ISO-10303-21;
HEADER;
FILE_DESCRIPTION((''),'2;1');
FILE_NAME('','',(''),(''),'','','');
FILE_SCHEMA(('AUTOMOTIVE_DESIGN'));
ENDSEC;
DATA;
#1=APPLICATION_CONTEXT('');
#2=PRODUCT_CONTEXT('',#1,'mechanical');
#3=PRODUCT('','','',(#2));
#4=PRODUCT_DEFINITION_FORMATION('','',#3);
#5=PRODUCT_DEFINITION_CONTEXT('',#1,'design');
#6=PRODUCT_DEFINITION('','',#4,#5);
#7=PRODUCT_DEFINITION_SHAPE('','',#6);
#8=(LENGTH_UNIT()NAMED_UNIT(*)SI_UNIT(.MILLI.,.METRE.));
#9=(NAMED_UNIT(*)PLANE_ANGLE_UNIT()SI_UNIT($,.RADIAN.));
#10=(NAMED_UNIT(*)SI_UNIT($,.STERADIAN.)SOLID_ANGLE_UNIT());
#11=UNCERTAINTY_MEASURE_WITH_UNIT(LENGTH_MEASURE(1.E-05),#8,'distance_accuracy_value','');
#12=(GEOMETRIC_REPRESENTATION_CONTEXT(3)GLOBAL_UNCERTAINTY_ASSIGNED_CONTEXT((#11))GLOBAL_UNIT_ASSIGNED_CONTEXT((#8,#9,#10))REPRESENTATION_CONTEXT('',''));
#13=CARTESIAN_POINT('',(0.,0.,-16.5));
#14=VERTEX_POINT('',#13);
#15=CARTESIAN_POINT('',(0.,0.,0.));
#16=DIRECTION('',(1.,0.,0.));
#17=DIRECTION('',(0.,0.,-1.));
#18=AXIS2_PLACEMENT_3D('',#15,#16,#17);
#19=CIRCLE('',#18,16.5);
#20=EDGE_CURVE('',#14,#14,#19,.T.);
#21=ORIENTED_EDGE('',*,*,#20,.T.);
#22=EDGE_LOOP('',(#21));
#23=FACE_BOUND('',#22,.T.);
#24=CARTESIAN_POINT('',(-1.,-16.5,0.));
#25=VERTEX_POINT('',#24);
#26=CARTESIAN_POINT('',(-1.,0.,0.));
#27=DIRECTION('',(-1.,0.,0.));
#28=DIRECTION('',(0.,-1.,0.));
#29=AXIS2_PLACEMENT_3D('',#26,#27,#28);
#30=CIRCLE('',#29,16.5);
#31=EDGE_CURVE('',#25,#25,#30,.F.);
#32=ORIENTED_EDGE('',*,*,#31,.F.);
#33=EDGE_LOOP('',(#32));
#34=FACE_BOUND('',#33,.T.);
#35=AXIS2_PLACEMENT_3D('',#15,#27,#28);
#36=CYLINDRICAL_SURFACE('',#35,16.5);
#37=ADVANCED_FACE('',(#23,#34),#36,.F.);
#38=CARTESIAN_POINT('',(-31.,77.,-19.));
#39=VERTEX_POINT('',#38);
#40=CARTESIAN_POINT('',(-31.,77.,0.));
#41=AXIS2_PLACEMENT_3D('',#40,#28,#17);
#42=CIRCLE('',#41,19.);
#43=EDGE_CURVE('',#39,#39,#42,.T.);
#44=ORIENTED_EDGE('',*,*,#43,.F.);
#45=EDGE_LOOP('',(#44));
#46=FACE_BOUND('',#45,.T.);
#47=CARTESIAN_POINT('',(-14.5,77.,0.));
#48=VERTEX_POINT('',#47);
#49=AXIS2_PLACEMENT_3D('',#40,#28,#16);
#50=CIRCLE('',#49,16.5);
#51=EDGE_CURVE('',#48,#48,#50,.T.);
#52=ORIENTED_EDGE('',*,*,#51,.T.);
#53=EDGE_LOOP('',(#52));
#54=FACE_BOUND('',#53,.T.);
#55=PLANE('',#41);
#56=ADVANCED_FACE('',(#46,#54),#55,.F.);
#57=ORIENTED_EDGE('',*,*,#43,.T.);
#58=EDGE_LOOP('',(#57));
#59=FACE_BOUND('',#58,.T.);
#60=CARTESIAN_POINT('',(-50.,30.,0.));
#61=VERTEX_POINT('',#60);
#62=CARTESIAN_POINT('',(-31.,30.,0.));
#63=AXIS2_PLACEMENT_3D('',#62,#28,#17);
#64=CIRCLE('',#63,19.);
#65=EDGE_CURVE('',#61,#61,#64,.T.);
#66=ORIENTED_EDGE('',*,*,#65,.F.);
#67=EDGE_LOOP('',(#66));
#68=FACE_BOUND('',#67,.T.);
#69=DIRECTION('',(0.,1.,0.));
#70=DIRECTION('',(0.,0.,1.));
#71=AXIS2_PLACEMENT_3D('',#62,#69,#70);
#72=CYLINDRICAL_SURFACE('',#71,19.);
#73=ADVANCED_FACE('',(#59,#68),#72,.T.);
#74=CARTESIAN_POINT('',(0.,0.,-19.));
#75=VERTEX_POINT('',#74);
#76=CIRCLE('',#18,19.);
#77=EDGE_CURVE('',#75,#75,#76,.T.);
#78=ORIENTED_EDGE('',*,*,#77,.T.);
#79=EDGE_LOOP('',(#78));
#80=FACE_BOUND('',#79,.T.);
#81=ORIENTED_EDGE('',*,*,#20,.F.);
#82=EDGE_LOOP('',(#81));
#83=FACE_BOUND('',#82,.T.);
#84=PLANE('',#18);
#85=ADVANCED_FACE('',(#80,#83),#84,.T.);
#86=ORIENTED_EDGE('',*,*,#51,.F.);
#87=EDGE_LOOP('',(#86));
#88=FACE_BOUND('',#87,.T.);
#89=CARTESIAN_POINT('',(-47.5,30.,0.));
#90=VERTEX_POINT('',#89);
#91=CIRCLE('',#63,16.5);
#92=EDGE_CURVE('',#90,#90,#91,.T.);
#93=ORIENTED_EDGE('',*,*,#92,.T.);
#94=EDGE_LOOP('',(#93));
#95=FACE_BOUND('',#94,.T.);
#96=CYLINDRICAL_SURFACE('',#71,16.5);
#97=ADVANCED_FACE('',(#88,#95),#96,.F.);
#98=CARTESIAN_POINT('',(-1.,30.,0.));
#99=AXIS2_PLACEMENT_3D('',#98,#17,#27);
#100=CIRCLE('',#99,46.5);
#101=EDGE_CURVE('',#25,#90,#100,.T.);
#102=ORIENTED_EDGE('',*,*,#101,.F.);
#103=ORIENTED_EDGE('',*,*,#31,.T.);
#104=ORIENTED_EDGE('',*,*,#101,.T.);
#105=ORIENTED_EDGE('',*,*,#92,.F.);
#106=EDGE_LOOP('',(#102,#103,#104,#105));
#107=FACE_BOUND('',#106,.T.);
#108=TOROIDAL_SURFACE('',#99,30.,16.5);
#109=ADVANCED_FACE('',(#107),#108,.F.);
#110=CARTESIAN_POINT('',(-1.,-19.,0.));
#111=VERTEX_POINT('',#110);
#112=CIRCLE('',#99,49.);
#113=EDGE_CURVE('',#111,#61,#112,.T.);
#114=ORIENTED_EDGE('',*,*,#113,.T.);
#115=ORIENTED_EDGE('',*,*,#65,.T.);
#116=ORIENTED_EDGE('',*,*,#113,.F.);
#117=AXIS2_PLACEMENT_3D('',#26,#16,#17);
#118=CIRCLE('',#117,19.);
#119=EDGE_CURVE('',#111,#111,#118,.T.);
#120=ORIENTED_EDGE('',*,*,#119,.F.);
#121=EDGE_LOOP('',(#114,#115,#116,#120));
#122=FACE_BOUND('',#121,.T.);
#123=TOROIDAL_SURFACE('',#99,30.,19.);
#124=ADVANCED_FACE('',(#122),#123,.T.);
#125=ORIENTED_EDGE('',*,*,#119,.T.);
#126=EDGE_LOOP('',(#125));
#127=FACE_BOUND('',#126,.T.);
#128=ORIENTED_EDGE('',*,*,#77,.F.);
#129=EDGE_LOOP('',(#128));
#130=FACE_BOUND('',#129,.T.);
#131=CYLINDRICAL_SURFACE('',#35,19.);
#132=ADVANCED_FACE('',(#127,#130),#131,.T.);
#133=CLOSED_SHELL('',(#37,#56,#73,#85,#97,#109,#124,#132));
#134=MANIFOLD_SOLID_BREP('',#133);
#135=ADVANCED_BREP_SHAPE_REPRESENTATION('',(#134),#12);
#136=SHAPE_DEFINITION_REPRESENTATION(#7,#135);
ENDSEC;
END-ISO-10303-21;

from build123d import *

# Parameters (mm, degrees)
SKETCH2_R   = 19
SKETCH2_R_2 = 16.5


with BuildPart() as part:
    # Sweep-Thin1: sweep along a path in Sketch1
    with BuildLine(Plane.XY) as sweep_thin1_path:
        Line((0, 0), (-1, 0))
        ThreePointArc((-1, 0), (-22.213203436, 8.786796564), (-31, 30))
        Line((-31, 30), (-31, 77))
    # Sketch2 → Sweep-Thin1 (sweep)
    with BuildSketch(Plane(origin=(0, 0, 0), x_dir=(0, 0, -1), z_dir=(1, 0, 0))):
        Circle(SKETCH2_R)
        Circle(SKETCH2_R_2, mode=Mode.SUBTRACT)
    sweep(path=sweep_thin1_path.line)


solid = part.part
